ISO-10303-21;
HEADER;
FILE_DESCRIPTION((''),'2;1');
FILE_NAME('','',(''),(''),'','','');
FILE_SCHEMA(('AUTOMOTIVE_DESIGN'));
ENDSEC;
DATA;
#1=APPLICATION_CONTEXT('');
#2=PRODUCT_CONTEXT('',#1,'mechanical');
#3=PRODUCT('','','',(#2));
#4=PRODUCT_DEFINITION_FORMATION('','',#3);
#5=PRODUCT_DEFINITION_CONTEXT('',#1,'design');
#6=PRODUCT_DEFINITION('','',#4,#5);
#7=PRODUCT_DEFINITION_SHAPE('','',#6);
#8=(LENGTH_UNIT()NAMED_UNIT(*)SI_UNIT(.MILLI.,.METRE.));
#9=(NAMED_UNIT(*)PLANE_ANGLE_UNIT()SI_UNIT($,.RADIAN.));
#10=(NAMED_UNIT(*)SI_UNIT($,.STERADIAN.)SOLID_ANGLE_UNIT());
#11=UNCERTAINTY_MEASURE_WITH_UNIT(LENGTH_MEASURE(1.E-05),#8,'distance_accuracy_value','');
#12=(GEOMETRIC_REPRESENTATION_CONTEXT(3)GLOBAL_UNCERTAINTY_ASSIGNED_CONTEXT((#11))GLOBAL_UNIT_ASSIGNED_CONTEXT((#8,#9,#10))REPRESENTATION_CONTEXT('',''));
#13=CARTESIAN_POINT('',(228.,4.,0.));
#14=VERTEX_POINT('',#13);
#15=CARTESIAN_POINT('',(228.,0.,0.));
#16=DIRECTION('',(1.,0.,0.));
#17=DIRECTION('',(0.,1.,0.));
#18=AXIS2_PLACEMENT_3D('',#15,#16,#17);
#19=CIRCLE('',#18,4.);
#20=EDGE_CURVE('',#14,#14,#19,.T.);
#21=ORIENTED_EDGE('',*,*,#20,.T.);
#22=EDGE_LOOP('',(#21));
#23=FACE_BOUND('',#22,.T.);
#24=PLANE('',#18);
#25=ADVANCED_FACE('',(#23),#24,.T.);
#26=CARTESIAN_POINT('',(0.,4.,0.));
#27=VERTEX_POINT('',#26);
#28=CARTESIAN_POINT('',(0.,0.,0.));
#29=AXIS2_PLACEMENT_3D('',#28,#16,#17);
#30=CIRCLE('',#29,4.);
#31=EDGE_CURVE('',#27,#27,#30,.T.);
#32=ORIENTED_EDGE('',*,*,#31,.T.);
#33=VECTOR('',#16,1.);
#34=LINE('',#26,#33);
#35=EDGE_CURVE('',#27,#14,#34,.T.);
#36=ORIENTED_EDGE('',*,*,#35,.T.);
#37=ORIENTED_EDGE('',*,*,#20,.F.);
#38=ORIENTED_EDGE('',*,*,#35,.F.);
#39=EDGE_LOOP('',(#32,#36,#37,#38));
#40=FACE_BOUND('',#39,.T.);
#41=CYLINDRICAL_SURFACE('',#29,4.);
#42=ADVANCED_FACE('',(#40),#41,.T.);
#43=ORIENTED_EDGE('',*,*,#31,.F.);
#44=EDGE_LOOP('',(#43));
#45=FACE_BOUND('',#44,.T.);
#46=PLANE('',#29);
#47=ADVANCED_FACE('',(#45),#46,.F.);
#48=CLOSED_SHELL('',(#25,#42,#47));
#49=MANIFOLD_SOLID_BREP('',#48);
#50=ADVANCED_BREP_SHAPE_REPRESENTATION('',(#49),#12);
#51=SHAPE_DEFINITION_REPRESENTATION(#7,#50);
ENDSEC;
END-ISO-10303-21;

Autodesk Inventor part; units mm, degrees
ref_plane "Start Plane" through (0, 0, 0) normal (1, 0, 0) x (0, 1, 0)
ref_plane "XZ Plane" through (0, 0, 0) normal (0, 1, 0) x (-1, 0, 0)
ref_plane "XY Plane" through (0, 0, 0) normal (0, 0, 1) x (1, 0, 0)
sketch "Main Sketch" plane through (0, 0, 0) normal (0, 0, 1) x (1, 0, 0)
  line L0 (0, 0) -> (228, 0)
  line L1 (0, 0) -> (0, 4)
  line L2 (228, 4) -> (228, 0)
  line L3 (0, 4) -> (228, 4)
  dimension "d3" = 8
revolve "Revolution1" add sketch "Main Sketch" angle 360 about axis through (0, 0, 0) along (1, 0, 0)
properties part number "Shaft" material "Steel"
